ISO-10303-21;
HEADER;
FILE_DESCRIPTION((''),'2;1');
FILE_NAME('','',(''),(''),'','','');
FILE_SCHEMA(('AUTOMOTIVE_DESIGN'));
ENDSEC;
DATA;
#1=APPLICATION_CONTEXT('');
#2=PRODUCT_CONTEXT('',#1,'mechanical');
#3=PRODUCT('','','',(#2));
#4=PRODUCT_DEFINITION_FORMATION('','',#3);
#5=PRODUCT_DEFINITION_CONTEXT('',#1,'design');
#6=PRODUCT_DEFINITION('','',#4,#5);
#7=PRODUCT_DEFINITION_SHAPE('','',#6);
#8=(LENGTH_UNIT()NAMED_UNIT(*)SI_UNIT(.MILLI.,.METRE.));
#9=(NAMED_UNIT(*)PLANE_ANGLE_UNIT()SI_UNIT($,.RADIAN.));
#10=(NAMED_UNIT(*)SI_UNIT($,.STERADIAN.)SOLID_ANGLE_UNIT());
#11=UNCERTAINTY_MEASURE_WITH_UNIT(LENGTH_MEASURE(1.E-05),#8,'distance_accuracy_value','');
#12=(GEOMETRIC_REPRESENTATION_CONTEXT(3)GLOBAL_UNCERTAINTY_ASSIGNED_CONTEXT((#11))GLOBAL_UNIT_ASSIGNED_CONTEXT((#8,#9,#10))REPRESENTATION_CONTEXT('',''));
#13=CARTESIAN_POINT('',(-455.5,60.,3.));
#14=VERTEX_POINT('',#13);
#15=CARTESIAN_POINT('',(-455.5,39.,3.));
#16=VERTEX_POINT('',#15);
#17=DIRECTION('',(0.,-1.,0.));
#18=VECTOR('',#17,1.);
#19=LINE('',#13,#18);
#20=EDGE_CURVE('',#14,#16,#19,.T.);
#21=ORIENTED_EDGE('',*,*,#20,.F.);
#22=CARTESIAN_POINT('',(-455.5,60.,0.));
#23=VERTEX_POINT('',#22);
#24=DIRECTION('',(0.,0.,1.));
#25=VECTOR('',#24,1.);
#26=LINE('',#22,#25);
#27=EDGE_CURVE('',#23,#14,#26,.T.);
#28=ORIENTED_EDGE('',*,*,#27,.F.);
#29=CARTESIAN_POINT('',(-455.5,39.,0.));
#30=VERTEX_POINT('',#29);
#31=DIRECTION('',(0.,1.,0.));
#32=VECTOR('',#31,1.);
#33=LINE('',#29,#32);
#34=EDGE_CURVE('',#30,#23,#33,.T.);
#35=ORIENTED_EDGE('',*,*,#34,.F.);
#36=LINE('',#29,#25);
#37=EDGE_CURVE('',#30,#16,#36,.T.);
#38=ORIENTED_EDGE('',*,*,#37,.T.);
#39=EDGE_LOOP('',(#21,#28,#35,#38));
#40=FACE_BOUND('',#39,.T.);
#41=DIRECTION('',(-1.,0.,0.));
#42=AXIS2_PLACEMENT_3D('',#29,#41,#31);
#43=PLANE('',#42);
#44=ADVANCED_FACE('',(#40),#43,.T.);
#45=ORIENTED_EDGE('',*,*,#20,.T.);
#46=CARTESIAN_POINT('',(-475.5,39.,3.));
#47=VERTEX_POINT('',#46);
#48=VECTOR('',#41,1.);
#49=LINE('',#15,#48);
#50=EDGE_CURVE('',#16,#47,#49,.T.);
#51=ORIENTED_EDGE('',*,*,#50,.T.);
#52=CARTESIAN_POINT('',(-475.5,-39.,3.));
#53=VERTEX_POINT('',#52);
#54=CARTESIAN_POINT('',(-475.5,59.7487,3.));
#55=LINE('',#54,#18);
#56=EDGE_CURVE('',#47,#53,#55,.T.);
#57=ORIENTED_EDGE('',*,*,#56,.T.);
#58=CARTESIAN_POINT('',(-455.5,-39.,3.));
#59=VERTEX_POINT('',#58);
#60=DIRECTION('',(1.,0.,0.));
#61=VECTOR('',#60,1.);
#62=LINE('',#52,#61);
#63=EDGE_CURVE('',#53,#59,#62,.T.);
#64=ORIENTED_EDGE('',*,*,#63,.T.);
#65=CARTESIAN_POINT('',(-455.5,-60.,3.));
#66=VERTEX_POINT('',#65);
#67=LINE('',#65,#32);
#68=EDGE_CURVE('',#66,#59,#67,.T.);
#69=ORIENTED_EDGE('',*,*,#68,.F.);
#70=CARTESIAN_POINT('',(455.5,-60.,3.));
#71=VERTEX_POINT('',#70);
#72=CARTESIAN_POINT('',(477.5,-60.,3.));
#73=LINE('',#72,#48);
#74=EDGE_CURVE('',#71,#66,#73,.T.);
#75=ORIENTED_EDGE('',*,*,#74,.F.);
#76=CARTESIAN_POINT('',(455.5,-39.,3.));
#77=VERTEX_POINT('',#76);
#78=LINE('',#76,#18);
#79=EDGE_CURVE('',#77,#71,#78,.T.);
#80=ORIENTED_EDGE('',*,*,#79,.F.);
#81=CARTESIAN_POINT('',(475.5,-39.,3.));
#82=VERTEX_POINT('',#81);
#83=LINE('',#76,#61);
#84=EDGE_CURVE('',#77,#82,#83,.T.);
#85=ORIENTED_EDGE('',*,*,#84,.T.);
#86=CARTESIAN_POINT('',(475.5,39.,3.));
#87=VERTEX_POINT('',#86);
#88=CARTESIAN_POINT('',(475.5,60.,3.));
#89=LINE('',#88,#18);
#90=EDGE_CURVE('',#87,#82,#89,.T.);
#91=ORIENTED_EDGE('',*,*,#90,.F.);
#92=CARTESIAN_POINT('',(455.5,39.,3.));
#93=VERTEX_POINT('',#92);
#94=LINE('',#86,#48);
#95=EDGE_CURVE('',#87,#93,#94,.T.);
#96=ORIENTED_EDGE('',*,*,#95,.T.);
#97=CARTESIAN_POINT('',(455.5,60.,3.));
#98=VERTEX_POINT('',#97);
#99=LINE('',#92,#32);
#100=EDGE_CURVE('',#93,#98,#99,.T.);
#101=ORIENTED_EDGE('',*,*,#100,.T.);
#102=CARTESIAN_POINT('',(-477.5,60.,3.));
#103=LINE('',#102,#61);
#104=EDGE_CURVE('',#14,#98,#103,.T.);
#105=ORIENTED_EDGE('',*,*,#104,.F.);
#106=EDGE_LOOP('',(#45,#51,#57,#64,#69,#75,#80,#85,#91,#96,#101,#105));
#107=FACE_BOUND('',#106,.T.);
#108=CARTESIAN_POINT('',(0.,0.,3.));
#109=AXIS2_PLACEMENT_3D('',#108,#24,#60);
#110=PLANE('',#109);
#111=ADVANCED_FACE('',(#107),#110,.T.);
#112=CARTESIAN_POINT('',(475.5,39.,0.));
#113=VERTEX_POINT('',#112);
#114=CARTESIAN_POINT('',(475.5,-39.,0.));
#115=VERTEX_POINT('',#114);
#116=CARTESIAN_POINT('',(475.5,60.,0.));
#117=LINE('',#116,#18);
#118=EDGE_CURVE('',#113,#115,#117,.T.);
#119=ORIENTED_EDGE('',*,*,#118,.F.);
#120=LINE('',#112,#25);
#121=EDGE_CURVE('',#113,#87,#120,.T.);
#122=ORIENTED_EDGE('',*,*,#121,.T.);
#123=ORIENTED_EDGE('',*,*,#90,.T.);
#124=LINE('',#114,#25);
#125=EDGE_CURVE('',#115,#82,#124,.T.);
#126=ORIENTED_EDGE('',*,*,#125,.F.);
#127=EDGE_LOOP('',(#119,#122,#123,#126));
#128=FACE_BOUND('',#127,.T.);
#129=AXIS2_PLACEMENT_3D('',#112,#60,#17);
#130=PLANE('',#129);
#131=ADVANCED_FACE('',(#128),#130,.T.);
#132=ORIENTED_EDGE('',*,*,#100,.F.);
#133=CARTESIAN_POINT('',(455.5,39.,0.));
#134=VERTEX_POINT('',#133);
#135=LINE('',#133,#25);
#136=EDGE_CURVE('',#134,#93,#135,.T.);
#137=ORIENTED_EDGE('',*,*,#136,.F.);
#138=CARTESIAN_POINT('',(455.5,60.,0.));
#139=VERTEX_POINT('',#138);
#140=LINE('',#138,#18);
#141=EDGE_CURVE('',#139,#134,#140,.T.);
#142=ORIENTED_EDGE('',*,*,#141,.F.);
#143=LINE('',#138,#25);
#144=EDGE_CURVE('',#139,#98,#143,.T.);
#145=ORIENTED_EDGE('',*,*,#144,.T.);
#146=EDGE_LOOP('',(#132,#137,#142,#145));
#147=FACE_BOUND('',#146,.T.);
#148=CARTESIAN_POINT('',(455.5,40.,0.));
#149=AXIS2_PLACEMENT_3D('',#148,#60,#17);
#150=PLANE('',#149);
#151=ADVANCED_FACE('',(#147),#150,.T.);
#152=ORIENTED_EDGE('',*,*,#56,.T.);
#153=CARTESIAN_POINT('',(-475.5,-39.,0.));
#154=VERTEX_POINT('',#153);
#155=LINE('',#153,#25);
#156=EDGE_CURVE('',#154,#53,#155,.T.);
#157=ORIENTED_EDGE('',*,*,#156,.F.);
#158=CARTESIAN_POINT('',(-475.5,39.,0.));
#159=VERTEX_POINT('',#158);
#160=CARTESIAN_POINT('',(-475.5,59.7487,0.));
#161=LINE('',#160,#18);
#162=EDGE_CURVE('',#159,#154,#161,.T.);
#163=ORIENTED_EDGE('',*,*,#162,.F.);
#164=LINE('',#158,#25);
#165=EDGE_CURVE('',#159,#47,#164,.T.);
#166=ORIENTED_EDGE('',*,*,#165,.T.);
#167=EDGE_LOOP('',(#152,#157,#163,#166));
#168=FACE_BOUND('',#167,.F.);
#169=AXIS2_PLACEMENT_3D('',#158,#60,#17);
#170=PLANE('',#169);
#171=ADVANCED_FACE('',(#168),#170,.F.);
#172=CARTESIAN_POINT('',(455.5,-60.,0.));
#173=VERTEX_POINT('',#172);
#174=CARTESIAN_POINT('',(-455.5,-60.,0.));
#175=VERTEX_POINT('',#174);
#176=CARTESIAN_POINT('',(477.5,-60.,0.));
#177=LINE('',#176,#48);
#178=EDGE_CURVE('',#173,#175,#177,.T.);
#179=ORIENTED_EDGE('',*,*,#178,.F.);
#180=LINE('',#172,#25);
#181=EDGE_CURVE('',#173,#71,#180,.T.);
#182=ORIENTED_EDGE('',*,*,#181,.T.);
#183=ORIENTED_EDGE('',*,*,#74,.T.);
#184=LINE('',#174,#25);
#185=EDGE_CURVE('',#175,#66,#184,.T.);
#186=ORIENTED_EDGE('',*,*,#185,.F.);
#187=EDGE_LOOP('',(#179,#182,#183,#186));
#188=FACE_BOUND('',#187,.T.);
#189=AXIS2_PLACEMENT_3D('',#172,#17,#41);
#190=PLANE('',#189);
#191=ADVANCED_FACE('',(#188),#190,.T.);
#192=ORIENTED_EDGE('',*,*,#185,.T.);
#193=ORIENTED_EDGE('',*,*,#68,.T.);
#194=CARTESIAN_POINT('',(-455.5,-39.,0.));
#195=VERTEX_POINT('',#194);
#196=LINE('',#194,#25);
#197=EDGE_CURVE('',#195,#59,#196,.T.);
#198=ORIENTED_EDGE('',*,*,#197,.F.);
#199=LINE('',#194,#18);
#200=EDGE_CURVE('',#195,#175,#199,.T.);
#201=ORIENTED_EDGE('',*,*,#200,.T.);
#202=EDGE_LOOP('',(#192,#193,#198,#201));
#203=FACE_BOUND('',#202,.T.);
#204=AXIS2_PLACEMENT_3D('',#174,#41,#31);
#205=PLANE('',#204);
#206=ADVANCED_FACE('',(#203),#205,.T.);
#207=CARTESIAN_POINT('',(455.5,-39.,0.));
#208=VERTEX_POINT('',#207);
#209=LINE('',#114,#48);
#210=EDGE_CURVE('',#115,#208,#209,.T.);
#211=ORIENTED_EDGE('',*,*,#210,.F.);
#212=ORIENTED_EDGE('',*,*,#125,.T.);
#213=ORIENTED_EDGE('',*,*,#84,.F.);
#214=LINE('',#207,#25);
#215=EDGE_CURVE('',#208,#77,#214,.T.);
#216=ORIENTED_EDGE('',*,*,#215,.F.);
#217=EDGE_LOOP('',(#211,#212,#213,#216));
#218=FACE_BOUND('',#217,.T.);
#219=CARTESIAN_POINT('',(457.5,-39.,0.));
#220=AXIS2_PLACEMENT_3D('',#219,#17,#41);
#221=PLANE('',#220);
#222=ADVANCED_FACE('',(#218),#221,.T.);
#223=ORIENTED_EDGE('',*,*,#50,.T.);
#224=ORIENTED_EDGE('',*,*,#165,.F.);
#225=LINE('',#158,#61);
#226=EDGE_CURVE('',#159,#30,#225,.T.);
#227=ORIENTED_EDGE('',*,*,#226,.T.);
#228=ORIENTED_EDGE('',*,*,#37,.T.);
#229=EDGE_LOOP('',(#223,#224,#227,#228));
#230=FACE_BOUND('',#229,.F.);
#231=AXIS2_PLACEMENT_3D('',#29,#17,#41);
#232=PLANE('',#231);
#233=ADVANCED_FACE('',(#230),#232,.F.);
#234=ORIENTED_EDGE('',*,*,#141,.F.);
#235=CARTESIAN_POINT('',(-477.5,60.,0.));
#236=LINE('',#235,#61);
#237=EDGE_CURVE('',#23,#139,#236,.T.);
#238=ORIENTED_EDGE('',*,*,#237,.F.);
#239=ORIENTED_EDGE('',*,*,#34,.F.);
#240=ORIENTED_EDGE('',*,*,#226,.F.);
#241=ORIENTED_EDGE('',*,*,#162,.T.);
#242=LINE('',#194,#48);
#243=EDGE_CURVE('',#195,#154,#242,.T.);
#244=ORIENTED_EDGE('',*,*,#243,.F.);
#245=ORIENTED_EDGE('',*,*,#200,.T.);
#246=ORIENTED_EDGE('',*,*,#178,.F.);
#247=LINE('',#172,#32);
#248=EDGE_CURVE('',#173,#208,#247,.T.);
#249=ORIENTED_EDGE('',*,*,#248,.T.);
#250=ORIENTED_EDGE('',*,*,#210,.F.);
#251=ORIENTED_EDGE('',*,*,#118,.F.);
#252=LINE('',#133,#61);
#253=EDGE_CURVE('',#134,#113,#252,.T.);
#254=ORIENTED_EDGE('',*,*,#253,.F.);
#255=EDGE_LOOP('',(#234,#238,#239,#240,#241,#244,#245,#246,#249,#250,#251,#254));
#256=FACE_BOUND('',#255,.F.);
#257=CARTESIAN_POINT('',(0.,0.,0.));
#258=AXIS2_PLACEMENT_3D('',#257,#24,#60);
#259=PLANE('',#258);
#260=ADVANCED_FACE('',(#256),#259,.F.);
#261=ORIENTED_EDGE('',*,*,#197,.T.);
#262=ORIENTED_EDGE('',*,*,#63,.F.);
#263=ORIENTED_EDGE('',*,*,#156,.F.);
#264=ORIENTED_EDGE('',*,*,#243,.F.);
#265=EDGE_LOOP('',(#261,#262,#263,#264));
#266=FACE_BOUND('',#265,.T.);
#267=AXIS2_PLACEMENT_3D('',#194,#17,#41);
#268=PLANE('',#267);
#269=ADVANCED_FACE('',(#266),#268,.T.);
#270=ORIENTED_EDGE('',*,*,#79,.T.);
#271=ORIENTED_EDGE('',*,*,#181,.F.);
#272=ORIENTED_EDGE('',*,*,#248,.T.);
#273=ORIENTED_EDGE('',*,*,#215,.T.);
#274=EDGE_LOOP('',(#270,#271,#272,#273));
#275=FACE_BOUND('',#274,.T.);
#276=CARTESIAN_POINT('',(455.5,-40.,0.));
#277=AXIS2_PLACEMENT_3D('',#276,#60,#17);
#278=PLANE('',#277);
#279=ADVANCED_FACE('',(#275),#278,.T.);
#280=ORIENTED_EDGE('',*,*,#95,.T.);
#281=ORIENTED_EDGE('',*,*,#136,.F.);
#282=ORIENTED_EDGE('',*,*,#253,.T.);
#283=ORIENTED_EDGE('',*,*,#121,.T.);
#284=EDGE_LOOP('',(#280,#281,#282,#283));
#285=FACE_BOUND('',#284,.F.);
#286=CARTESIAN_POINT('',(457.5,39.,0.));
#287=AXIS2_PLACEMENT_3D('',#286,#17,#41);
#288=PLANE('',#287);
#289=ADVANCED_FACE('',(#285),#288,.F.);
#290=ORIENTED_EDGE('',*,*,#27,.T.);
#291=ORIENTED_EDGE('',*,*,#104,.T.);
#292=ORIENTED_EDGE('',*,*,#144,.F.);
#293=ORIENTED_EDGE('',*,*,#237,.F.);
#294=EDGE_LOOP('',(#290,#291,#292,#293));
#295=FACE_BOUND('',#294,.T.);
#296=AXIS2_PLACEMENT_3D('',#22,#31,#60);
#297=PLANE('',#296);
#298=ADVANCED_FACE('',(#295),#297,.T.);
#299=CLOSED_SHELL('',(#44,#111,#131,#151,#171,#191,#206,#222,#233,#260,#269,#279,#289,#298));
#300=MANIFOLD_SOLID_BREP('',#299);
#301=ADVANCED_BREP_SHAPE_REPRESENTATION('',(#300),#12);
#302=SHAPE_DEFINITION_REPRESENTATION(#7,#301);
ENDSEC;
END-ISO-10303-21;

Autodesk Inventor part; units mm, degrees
ref_plane "YZ Plane" through (0, 0, 0) normal (1, 0, 0) x (0, 1, 0)
ref_plane "XZ Plane" through (0, 0, 0) normal (0, 1, 0) x (-1, 0, 0)
ref_plane "XY Plane" through (0, 0, 0) normal (0, 0, 1) x (1, 0, 0)
sketch "草图1" plane through (0, 0, 0) normal (0, 0, 1) x (1, 0, 0)
  line L0 (477.5, -60) -> (-477.5, -60)
  line L1 (-477.5, -60) -> (-477.5, 60)
  line L2 (-477.5, 60) -> (477.5, 60)
  line L3 (477.5, 60) -> (477.5, -60)
  line L4 (477.5, -60) -> (-477.5, 60) construction
  line L5 (-477.5, -60) -> (477.5, 60) construction
  line L6 (477.5, -40) -> (-477.5, -40) projected
  line L7 (477.5, 40) -> (-477.5, 40) projected
  line L8 (-457.5, 40) -> (-457.5, -40)
  line L9 (457.5, 40) -> (457.5, -40) projected
  line L10 (-455.5, -60) -> (-455.5, 60)
  line L11 (477.5, -39) -> (-477.5, -39)
  line L12 (477.5, 39) -> (-477.5, 39)
  line L13 (-475.5, 59.7487) -> (-475.5, -60)
  line L14 (475.5, 60) -> (475.5, -60)
  line L15 (455.5, 60) -> (455.5, -60)
  point P0 (0, 0)
  point P1 (457.5, -60)
  point P2 (457.5, 60)
  point P3 (-455.5, 40)
  point P4 (-455.5, -40)
  point P5 (457.5, 39)
  point P6 (-457.5, 39)
  point P7 (-457.5, -39)
  point P8 (457.5, -39)
  point P9 (-475.5, 39)
  point P10 (-475.5, -39)
  point P11 (475.5, -39)
  point P12 (475.5, 39)
  point P13 (-455.5, -39)
  point P14 (-455.5, 39)
  point P15 (455.5, -39)
  point P16 (455.5, 39)
  dimension "d0" = 120
  dimension "d1" = 955
  dimension "d4" = 1
  dimension "d5" = 1
  dimension "d6" = 2
  dimension "d7" = 2
  dimension "d8" = 2
  dimension "d9" = 2
extrude "拉伸1" add sketch "草图1" along normal blind 3 contours L0 L10 L6 L15 | L6 L10 L11 L15 | L11 L9 L12 L14 | L15 L12 L9 L11 | L11 L10 L12 L15 | L11 L8 L12 L10 | L12 L10 L7 L15 | L13 L12 L8 L11 | L7 L10 L2 L15
properties part number "内板"
